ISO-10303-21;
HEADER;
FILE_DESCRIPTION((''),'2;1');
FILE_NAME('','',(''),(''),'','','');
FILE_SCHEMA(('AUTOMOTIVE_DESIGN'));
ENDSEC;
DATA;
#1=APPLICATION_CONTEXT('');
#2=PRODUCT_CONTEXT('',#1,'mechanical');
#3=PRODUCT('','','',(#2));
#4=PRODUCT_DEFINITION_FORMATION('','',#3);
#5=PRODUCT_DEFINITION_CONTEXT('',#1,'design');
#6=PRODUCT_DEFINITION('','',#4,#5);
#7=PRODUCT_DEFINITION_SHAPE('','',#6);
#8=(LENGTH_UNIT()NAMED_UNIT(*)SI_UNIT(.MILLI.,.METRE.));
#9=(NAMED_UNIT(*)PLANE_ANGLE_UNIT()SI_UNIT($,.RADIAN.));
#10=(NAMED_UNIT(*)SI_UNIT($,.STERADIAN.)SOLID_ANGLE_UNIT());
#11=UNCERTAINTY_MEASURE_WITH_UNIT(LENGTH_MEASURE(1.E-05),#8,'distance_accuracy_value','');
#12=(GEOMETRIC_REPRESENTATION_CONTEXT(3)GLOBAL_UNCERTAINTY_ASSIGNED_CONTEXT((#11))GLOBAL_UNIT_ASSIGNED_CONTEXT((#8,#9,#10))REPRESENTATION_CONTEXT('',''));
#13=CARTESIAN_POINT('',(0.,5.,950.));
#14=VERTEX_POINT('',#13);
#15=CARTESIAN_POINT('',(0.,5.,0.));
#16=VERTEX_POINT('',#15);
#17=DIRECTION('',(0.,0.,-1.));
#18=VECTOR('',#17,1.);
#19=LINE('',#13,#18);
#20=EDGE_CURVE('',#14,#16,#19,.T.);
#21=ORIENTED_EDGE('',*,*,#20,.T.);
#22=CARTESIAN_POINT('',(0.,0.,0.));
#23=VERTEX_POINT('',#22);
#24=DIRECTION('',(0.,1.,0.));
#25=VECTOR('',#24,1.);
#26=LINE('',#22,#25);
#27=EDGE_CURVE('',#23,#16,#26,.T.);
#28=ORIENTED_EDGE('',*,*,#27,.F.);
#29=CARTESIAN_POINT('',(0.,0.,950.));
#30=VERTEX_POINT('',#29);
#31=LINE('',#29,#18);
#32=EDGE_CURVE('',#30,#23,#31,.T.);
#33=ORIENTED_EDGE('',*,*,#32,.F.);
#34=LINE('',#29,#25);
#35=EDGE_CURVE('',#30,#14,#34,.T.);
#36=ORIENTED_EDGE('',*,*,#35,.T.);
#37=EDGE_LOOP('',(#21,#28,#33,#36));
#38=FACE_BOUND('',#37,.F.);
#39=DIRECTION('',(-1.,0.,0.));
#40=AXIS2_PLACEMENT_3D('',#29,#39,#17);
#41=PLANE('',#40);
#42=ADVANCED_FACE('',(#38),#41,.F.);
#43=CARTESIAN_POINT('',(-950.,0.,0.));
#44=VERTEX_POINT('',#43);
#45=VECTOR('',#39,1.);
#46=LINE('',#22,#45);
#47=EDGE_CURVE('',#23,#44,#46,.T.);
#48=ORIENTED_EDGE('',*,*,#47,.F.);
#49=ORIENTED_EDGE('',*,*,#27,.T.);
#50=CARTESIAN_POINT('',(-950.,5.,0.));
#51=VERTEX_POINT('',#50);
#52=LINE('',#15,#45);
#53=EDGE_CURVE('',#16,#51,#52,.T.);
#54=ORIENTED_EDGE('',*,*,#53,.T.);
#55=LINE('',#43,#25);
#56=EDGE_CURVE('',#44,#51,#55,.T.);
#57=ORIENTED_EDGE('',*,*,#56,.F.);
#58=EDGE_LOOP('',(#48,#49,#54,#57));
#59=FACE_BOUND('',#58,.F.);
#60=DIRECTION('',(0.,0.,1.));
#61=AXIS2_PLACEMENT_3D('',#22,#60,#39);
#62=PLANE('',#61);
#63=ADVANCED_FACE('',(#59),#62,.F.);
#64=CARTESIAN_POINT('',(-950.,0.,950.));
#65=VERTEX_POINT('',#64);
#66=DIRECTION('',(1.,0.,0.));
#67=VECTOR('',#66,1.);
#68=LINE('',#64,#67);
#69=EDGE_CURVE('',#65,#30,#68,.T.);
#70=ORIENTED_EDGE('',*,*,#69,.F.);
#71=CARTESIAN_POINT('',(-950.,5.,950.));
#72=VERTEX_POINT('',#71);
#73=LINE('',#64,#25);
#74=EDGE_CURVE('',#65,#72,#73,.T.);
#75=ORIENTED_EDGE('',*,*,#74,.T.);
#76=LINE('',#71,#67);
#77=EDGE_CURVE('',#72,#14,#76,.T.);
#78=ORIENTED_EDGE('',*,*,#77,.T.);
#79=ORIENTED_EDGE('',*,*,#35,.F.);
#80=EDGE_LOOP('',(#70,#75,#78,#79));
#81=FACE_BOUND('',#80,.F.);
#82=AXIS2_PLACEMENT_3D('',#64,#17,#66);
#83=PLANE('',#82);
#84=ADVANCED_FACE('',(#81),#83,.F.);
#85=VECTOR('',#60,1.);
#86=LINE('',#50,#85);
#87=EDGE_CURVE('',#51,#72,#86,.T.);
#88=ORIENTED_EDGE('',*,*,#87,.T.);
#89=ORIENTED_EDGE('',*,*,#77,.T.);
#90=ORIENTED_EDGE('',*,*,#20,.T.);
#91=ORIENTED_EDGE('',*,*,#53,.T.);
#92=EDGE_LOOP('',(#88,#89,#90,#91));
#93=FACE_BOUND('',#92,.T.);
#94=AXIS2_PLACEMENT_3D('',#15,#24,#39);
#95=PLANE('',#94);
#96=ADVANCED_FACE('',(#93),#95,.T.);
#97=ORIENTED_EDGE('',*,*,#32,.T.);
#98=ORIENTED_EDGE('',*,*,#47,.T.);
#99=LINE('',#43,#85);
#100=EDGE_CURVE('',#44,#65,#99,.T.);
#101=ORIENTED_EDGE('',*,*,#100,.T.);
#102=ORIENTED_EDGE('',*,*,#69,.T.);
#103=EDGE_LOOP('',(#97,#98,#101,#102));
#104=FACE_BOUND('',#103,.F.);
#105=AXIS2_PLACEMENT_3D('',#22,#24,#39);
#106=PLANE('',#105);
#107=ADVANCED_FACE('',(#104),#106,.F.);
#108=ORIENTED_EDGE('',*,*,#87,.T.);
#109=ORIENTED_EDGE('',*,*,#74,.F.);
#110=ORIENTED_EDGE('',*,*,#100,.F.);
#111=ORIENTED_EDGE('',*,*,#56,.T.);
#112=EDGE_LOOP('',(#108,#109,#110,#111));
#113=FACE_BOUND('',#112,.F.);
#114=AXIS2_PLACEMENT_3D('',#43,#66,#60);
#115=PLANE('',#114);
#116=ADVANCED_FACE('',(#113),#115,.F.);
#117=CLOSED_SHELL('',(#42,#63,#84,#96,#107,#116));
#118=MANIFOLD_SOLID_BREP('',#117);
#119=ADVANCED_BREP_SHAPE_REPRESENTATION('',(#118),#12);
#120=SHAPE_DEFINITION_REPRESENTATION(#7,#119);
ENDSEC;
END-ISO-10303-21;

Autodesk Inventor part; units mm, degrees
ref_plane "YZ Plane" through (0, 0, 0) normal (1, 0, 0) x (0, 1, 0)
ref_plane "XZ Plane" through (0, 0, 0) normal (0, 1, 0) x (-1, 0, 0)
ref_plane "XY Plane" through (0, 0, 0) normal (0, 0, 1) x (1, 0, 0)
sketch "Sketch1" plane through (0, 0, 0) normal (0, 1, 0) x (-1, 0, 0)
  line L0 (0, 0) -> (950, 0)
  line L1 (950, 0) -> (950, 950)
  line L2 (950, 950) -> (0, 950)
  line L3 (0, 950) -> (0, 0)
  dimension "d0" = 950
  dimension "d1" = 950
extrude "Extrusion1" add sketch "Sketch1" along normal blind 5
properties part number "plinth" material "Glass"
